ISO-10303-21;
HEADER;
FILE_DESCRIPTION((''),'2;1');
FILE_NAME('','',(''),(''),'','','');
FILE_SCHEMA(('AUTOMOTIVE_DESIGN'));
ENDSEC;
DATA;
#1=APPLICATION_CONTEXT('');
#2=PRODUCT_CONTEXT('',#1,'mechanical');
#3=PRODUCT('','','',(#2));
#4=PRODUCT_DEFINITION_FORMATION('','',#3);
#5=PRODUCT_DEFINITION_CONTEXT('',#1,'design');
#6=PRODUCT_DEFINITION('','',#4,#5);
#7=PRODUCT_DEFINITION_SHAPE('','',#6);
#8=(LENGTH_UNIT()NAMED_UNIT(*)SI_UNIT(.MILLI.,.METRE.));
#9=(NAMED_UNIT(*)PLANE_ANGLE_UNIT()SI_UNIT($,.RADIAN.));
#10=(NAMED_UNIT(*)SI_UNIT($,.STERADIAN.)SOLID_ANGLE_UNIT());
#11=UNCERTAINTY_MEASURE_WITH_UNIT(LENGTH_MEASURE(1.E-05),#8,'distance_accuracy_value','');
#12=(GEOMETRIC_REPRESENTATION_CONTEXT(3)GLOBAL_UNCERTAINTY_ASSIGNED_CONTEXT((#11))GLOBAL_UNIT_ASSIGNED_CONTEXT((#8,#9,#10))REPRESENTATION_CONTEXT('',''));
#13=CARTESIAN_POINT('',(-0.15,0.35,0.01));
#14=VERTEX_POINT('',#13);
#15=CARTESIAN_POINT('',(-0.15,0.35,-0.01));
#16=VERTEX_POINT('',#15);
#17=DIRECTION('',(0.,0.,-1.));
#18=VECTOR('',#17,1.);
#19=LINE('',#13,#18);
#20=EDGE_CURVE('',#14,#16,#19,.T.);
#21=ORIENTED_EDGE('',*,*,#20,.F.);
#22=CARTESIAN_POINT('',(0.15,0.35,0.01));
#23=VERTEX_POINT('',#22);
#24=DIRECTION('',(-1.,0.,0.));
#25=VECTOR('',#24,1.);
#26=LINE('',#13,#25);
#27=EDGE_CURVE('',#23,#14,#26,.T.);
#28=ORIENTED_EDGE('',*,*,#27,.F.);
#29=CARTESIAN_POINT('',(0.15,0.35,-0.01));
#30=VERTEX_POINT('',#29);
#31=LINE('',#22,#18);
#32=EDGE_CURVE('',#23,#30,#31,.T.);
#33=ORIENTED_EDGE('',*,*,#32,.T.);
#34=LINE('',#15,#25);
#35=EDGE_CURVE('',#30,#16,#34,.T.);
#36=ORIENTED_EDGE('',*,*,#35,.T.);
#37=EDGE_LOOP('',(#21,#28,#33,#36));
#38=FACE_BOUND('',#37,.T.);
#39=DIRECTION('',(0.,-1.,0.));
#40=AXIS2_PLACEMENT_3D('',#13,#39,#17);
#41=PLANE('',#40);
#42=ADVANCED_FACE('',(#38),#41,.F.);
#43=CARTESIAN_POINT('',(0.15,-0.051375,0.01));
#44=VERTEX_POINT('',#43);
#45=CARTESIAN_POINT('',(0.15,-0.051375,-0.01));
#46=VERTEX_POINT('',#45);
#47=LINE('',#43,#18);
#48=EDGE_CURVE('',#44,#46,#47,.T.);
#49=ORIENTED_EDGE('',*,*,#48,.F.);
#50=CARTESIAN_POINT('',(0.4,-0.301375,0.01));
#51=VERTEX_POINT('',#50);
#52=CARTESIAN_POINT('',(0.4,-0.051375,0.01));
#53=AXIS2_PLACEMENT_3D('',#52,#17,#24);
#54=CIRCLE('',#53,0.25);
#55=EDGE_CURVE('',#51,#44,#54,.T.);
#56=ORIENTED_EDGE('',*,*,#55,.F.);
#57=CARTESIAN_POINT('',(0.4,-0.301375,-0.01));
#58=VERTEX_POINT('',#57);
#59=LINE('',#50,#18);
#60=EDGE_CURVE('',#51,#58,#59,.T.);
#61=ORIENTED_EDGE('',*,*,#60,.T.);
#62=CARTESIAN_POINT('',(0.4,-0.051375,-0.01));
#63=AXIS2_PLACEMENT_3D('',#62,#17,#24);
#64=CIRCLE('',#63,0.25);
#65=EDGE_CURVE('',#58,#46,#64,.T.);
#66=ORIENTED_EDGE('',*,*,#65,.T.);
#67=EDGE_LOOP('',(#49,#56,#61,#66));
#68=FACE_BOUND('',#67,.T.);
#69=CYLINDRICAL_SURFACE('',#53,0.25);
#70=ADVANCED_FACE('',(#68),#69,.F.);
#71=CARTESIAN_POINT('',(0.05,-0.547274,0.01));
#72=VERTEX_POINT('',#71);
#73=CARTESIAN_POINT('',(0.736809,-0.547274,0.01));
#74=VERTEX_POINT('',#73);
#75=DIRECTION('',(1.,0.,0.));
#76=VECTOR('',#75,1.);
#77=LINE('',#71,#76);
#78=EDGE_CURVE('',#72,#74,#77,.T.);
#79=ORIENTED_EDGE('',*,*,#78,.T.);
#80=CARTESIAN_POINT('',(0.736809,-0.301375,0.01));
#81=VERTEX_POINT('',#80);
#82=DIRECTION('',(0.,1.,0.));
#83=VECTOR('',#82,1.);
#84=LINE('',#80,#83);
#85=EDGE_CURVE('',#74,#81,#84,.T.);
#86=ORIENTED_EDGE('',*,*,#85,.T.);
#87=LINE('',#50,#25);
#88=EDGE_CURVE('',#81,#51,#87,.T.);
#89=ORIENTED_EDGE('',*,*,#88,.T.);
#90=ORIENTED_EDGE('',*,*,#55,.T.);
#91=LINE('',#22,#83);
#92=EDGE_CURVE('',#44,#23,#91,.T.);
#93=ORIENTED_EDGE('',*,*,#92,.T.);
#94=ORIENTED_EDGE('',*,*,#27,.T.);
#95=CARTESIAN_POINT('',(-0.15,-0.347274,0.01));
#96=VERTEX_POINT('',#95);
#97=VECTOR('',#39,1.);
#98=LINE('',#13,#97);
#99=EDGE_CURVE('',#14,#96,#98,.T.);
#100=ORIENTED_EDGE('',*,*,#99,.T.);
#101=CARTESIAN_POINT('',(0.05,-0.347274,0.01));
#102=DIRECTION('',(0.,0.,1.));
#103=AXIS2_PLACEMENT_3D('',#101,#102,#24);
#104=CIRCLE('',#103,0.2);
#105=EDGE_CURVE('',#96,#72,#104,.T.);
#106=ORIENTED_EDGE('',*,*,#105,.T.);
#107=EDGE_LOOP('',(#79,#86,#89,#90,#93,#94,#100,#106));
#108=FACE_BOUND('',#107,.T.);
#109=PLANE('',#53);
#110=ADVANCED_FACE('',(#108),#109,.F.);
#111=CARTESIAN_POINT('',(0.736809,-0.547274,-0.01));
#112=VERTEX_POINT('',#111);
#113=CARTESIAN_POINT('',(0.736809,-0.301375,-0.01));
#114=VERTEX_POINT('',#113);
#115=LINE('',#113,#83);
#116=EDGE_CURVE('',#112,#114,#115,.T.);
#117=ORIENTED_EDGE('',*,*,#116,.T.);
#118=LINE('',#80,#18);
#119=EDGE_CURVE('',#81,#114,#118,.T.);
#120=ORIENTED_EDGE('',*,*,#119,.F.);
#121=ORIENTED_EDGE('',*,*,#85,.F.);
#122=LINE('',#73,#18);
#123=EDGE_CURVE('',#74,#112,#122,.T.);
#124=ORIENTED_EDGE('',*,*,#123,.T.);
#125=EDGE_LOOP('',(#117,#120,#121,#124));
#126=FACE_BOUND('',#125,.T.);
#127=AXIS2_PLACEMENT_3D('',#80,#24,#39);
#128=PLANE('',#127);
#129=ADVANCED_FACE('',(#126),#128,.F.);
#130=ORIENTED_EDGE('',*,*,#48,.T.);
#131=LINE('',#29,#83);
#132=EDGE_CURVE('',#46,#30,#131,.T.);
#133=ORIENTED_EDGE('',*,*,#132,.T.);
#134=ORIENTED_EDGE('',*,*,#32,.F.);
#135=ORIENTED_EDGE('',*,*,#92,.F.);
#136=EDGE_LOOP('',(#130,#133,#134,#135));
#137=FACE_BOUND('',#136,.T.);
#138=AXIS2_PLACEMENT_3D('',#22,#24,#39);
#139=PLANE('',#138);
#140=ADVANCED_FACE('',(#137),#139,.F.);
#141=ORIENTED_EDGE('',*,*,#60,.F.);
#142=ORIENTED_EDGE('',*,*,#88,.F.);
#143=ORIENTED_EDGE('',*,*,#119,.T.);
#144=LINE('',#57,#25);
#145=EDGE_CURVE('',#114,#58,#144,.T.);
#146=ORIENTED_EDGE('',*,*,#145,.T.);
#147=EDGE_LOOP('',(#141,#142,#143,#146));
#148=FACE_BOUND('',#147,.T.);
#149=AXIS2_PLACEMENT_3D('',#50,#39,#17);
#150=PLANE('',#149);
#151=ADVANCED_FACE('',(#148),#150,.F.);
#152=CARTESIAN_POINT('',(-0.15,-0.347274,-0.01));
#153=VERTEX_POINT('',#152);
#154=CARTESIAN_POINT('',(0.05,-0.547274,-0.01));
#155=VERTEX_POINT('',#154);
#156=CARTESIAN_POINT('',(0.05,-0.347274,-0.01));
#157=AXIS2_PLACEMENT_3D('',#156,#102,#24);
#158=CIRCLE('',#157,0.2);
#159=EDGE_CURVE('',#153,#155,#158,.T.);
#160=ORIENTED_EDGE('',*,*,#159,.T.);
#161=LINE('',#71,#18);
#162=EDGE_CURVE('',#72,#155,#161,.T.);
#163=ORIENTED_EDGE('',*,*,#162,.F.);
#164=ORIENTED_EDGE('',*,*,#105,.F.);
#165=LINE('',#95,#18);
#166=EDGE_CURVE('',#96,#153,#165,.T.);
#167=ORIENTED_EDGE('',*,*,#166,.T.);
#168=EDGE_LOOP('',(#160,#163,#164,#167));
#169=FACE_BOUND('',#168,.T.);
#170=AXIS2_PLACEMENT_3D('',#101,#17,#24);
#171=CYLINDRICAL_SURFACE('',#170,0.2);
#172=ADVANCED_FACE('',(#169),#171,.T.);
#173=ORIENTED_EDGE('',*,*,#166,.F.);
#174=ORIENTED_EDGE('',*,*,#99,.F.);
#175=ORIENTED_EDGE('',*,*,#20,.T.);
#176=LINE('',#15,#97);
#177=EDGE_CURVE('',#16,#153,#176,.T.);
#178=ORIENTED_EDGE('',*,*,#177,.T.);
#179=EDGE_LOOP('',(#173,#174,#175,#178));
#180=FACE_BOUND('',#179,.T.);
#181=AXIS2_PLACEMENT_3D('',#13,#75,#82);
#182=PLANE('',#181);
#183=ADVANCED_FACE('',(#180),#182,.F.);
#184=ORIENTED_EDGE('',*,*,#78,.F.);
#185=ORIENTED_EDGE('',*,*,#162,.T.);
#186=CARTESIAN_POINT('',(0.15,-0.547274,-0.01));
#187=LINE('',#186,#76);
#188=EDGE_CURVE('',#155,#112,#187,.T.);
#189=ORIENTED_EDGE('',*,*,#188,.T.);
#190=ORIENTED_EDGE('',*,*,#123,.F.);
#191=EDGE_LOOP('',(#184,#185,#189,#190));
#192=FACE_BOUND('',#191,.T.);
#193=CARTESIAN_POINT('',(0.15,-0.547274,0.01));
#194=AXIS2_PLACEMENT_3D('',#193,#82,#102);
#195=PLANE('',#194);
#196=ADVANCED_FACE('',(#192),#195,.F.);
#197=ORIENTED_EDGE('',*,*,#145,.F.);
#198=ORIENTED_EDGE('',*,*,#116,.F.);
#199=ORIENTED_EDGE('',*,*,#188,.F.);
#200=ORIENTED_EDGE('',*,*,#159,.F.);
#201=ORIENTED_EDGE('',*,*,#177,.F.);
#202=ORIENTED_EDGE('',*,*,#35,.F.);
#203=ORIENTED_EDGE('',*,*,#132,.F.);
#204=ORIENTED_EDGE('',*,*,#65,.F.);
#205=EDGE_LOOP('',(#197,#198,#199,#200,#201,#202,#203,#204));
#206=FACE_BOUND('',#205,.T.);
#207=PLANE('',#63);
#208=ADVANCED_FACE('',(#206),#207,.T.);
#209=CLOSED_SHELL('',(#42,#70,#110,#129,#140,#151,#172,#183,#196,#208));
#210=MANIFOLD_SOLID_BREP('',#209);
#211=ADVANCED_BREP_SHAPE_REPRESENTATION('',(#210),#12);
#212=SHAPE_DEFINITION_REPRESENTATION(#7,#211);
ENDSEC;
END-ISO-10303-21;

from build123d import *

# Parameters (mm, degrees)
BOSS_EXTRUDE1_DEPTH = 0.01


with BuildPart() as part:
    # Sketch2 → Boss-Extrude1 (new, symmetric)
    with BuildSketch(Plane.XY):
        with BuildLine():
            Line((-0.15, 0.35), (0.15, 0.35))
            Line((0.15, 0.35), (0.15, -0.051374847))
            ThreePointArc((0.15, -0.051374847), (0.223223305, -0.228151543), (0.4, -0.301374847))
            Line((0.4, -0.301374847), (0.736808624, -0.301374847))
            Line((0.736808624, -0.301374847), (0.736808624, -0.547273546))
            Line((0.736808624, -0.547273546), (0.15, -0.547273546))
            Line((0.15, -0.547273546), (0.05, -0.547273546))
            ThreePointArc((0.05, -0.547273546), (-0.091421356, -0.488694902), (-0.15, -0.347273546))
            Line((-0.15, -0.347273546), (-0.15, 0.35))
        make_face()
    extrude(amount=BOSS_EXTRUDE1_DEPTH, both=True)


solid = part.part
